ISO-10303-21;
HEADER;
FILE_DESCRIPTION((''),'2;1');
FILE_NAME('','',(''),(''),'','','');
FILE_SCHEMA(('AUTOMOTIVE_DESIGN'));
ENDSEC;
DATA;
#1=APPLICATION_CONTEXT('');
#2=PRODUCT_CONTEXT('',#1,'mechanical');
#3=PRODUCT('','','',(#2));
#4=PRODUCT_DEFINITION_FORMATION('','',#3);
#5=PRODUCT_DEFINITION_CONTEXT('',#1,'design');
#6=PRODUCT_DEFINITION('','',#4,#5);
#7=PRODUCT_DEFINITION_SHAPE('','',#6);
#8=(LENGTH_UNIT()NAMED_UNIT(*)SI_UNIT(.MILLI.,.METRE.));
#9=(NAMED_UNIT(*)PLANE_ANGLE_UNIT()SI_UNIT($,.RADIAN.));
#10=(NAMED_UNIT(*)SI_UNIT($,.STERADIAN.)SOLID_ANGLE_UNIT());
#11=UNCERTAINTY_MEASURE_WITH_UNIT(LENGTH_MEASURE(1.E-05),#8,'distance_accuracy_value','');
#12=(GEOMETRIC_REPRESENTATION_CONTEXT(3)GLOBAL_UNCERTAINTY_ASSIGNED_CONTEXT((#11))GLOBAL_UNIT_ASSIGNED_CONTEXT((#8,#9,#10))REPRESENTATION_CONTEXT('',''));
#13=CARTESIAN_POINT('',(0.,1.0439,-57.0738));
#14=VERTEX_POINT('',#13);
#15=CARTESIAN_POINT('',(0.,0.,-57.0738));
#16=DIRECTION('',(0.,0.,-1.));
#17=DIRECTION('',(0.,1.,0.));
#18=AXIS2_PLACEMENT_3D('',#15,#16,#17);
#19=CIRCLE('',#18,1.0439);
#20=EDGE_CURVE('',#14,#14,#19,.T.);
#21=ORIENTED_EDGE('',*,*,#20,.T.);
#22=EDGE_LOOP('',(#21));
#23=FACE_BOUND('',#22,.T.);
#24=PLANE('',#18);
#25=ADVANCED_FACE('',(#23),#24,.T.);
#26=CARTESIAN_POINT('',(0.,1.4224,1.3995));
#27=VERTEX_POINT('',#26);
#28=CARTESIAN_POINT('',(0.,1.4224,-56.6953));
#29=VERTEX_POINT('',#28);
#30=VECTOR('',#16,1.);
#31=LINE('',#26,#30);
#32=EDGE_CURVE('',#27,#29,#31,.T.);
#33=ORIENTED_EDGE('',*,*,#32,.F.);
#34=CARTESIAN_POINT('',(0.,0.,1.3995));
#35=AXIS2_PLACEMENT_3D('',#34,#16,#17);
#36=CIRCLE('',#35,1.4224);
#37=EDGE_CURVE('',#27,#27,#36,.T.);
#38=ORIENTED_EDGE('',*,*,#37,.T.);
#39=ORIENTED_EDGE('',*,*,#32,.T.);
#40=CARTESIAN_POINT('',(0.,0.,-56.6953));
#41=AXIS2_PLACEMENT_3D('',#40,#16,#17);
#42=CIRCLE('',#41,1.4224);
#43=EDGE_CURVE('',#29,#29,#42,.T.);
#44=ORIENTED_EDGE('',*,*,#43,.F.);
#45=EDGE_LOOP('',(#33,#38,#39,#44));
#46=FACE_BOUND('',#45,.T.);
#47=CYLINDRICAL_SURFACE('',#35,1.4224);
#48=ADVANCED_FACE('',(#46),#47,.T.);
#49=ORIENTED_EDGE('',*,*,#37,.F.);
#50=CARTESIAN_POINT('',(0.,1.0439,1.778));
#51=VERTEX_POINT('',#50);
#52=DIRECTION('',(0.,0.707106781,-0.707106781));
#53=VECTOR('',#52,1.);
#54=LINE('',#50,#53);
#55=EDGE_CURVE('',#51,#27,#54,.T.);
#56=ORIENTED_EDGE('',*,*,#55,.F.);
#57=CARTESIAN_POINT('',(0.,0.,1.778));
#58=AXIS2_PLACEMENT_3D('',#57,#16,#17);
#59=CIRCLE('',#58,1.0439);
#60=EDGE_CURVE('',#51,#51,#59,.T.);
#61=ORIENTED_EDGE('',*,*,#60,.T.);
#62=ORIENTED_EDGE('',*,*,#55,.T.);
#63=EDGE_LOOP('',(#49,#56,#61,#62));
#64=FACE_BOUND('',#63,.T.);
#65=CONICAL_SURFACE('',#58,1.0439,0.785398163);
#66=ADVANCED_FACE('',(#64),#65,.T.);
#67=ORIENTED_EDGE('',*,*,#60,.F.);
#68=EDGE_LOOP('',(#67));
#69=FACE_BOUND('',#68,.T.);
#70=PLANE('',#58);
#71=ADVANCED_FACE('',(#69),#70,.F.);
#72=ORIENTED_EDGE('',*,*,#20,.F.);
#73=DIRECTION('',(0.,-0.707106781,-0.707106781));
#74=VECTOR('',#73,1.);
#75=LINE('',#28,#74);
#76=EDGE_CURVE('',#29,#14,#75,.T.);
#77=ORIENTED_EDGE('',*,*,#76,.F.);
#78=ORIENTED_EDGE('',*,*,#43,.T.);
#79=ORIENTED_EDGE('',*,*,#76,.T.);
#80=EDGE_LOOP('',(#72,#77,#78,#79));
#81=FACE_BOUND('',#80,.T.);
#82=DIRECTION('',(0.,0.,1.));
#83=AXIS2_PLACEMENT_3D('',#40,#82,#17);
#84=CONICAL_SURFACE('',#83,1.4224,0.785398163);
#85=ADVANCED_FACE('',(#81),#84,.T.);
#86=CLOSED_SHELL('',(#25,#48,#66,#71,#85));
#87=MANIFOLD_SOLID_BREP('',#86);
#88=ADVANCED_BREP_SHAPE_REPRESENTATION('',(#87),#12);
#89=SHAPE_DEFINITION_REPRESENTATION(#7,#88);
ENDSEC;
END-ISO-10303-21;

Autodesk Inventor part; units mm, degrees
sketch "Sketch_1" plane through (0, 0, 0) normal (1, 0, 0) x (0, 1, 0)
  line L0 (0, -57.0738) -> (0, 1.778)
  line L1 (0, 1.778) -> (1.0439, 1.778)
  line L2 (1.0439, 1.778) -> (1.4224, 1.3995)
  line L3 (1.4224, 1.3995) -> (1.4224, -56.6953)
  line L4 (1.4224, -56.6953) -> (1.0439, -57.0738)
  line L5 (1.0439, -57.0738) -> (0, -57.0738)
  line L6 (0, -57.0738) -> (0, 1.778)
revolve "Revolution1" add sketch "Sketch_1" angle 360 about axis through (0, 0, -57.0738) along (0, 0, -1)
thread "Thread1" size "4-40 UNC" class "2A" standard "ANSI Unified Screw Threads" full length
ref_plane "screw_XY" through (0, 0, 0) normal (0, 0, 1) x (1, 0, 0)
ref_plane "screw_YZ" through (0, 0, 0) normal (1, 0, 0) x (0, 1, 0)
ref_plane "screw_ZX" through (0, 0, 0) normal (0, 1, 0) x (0, 0, 1)
properties part number "D-47932-SS-2.317"
